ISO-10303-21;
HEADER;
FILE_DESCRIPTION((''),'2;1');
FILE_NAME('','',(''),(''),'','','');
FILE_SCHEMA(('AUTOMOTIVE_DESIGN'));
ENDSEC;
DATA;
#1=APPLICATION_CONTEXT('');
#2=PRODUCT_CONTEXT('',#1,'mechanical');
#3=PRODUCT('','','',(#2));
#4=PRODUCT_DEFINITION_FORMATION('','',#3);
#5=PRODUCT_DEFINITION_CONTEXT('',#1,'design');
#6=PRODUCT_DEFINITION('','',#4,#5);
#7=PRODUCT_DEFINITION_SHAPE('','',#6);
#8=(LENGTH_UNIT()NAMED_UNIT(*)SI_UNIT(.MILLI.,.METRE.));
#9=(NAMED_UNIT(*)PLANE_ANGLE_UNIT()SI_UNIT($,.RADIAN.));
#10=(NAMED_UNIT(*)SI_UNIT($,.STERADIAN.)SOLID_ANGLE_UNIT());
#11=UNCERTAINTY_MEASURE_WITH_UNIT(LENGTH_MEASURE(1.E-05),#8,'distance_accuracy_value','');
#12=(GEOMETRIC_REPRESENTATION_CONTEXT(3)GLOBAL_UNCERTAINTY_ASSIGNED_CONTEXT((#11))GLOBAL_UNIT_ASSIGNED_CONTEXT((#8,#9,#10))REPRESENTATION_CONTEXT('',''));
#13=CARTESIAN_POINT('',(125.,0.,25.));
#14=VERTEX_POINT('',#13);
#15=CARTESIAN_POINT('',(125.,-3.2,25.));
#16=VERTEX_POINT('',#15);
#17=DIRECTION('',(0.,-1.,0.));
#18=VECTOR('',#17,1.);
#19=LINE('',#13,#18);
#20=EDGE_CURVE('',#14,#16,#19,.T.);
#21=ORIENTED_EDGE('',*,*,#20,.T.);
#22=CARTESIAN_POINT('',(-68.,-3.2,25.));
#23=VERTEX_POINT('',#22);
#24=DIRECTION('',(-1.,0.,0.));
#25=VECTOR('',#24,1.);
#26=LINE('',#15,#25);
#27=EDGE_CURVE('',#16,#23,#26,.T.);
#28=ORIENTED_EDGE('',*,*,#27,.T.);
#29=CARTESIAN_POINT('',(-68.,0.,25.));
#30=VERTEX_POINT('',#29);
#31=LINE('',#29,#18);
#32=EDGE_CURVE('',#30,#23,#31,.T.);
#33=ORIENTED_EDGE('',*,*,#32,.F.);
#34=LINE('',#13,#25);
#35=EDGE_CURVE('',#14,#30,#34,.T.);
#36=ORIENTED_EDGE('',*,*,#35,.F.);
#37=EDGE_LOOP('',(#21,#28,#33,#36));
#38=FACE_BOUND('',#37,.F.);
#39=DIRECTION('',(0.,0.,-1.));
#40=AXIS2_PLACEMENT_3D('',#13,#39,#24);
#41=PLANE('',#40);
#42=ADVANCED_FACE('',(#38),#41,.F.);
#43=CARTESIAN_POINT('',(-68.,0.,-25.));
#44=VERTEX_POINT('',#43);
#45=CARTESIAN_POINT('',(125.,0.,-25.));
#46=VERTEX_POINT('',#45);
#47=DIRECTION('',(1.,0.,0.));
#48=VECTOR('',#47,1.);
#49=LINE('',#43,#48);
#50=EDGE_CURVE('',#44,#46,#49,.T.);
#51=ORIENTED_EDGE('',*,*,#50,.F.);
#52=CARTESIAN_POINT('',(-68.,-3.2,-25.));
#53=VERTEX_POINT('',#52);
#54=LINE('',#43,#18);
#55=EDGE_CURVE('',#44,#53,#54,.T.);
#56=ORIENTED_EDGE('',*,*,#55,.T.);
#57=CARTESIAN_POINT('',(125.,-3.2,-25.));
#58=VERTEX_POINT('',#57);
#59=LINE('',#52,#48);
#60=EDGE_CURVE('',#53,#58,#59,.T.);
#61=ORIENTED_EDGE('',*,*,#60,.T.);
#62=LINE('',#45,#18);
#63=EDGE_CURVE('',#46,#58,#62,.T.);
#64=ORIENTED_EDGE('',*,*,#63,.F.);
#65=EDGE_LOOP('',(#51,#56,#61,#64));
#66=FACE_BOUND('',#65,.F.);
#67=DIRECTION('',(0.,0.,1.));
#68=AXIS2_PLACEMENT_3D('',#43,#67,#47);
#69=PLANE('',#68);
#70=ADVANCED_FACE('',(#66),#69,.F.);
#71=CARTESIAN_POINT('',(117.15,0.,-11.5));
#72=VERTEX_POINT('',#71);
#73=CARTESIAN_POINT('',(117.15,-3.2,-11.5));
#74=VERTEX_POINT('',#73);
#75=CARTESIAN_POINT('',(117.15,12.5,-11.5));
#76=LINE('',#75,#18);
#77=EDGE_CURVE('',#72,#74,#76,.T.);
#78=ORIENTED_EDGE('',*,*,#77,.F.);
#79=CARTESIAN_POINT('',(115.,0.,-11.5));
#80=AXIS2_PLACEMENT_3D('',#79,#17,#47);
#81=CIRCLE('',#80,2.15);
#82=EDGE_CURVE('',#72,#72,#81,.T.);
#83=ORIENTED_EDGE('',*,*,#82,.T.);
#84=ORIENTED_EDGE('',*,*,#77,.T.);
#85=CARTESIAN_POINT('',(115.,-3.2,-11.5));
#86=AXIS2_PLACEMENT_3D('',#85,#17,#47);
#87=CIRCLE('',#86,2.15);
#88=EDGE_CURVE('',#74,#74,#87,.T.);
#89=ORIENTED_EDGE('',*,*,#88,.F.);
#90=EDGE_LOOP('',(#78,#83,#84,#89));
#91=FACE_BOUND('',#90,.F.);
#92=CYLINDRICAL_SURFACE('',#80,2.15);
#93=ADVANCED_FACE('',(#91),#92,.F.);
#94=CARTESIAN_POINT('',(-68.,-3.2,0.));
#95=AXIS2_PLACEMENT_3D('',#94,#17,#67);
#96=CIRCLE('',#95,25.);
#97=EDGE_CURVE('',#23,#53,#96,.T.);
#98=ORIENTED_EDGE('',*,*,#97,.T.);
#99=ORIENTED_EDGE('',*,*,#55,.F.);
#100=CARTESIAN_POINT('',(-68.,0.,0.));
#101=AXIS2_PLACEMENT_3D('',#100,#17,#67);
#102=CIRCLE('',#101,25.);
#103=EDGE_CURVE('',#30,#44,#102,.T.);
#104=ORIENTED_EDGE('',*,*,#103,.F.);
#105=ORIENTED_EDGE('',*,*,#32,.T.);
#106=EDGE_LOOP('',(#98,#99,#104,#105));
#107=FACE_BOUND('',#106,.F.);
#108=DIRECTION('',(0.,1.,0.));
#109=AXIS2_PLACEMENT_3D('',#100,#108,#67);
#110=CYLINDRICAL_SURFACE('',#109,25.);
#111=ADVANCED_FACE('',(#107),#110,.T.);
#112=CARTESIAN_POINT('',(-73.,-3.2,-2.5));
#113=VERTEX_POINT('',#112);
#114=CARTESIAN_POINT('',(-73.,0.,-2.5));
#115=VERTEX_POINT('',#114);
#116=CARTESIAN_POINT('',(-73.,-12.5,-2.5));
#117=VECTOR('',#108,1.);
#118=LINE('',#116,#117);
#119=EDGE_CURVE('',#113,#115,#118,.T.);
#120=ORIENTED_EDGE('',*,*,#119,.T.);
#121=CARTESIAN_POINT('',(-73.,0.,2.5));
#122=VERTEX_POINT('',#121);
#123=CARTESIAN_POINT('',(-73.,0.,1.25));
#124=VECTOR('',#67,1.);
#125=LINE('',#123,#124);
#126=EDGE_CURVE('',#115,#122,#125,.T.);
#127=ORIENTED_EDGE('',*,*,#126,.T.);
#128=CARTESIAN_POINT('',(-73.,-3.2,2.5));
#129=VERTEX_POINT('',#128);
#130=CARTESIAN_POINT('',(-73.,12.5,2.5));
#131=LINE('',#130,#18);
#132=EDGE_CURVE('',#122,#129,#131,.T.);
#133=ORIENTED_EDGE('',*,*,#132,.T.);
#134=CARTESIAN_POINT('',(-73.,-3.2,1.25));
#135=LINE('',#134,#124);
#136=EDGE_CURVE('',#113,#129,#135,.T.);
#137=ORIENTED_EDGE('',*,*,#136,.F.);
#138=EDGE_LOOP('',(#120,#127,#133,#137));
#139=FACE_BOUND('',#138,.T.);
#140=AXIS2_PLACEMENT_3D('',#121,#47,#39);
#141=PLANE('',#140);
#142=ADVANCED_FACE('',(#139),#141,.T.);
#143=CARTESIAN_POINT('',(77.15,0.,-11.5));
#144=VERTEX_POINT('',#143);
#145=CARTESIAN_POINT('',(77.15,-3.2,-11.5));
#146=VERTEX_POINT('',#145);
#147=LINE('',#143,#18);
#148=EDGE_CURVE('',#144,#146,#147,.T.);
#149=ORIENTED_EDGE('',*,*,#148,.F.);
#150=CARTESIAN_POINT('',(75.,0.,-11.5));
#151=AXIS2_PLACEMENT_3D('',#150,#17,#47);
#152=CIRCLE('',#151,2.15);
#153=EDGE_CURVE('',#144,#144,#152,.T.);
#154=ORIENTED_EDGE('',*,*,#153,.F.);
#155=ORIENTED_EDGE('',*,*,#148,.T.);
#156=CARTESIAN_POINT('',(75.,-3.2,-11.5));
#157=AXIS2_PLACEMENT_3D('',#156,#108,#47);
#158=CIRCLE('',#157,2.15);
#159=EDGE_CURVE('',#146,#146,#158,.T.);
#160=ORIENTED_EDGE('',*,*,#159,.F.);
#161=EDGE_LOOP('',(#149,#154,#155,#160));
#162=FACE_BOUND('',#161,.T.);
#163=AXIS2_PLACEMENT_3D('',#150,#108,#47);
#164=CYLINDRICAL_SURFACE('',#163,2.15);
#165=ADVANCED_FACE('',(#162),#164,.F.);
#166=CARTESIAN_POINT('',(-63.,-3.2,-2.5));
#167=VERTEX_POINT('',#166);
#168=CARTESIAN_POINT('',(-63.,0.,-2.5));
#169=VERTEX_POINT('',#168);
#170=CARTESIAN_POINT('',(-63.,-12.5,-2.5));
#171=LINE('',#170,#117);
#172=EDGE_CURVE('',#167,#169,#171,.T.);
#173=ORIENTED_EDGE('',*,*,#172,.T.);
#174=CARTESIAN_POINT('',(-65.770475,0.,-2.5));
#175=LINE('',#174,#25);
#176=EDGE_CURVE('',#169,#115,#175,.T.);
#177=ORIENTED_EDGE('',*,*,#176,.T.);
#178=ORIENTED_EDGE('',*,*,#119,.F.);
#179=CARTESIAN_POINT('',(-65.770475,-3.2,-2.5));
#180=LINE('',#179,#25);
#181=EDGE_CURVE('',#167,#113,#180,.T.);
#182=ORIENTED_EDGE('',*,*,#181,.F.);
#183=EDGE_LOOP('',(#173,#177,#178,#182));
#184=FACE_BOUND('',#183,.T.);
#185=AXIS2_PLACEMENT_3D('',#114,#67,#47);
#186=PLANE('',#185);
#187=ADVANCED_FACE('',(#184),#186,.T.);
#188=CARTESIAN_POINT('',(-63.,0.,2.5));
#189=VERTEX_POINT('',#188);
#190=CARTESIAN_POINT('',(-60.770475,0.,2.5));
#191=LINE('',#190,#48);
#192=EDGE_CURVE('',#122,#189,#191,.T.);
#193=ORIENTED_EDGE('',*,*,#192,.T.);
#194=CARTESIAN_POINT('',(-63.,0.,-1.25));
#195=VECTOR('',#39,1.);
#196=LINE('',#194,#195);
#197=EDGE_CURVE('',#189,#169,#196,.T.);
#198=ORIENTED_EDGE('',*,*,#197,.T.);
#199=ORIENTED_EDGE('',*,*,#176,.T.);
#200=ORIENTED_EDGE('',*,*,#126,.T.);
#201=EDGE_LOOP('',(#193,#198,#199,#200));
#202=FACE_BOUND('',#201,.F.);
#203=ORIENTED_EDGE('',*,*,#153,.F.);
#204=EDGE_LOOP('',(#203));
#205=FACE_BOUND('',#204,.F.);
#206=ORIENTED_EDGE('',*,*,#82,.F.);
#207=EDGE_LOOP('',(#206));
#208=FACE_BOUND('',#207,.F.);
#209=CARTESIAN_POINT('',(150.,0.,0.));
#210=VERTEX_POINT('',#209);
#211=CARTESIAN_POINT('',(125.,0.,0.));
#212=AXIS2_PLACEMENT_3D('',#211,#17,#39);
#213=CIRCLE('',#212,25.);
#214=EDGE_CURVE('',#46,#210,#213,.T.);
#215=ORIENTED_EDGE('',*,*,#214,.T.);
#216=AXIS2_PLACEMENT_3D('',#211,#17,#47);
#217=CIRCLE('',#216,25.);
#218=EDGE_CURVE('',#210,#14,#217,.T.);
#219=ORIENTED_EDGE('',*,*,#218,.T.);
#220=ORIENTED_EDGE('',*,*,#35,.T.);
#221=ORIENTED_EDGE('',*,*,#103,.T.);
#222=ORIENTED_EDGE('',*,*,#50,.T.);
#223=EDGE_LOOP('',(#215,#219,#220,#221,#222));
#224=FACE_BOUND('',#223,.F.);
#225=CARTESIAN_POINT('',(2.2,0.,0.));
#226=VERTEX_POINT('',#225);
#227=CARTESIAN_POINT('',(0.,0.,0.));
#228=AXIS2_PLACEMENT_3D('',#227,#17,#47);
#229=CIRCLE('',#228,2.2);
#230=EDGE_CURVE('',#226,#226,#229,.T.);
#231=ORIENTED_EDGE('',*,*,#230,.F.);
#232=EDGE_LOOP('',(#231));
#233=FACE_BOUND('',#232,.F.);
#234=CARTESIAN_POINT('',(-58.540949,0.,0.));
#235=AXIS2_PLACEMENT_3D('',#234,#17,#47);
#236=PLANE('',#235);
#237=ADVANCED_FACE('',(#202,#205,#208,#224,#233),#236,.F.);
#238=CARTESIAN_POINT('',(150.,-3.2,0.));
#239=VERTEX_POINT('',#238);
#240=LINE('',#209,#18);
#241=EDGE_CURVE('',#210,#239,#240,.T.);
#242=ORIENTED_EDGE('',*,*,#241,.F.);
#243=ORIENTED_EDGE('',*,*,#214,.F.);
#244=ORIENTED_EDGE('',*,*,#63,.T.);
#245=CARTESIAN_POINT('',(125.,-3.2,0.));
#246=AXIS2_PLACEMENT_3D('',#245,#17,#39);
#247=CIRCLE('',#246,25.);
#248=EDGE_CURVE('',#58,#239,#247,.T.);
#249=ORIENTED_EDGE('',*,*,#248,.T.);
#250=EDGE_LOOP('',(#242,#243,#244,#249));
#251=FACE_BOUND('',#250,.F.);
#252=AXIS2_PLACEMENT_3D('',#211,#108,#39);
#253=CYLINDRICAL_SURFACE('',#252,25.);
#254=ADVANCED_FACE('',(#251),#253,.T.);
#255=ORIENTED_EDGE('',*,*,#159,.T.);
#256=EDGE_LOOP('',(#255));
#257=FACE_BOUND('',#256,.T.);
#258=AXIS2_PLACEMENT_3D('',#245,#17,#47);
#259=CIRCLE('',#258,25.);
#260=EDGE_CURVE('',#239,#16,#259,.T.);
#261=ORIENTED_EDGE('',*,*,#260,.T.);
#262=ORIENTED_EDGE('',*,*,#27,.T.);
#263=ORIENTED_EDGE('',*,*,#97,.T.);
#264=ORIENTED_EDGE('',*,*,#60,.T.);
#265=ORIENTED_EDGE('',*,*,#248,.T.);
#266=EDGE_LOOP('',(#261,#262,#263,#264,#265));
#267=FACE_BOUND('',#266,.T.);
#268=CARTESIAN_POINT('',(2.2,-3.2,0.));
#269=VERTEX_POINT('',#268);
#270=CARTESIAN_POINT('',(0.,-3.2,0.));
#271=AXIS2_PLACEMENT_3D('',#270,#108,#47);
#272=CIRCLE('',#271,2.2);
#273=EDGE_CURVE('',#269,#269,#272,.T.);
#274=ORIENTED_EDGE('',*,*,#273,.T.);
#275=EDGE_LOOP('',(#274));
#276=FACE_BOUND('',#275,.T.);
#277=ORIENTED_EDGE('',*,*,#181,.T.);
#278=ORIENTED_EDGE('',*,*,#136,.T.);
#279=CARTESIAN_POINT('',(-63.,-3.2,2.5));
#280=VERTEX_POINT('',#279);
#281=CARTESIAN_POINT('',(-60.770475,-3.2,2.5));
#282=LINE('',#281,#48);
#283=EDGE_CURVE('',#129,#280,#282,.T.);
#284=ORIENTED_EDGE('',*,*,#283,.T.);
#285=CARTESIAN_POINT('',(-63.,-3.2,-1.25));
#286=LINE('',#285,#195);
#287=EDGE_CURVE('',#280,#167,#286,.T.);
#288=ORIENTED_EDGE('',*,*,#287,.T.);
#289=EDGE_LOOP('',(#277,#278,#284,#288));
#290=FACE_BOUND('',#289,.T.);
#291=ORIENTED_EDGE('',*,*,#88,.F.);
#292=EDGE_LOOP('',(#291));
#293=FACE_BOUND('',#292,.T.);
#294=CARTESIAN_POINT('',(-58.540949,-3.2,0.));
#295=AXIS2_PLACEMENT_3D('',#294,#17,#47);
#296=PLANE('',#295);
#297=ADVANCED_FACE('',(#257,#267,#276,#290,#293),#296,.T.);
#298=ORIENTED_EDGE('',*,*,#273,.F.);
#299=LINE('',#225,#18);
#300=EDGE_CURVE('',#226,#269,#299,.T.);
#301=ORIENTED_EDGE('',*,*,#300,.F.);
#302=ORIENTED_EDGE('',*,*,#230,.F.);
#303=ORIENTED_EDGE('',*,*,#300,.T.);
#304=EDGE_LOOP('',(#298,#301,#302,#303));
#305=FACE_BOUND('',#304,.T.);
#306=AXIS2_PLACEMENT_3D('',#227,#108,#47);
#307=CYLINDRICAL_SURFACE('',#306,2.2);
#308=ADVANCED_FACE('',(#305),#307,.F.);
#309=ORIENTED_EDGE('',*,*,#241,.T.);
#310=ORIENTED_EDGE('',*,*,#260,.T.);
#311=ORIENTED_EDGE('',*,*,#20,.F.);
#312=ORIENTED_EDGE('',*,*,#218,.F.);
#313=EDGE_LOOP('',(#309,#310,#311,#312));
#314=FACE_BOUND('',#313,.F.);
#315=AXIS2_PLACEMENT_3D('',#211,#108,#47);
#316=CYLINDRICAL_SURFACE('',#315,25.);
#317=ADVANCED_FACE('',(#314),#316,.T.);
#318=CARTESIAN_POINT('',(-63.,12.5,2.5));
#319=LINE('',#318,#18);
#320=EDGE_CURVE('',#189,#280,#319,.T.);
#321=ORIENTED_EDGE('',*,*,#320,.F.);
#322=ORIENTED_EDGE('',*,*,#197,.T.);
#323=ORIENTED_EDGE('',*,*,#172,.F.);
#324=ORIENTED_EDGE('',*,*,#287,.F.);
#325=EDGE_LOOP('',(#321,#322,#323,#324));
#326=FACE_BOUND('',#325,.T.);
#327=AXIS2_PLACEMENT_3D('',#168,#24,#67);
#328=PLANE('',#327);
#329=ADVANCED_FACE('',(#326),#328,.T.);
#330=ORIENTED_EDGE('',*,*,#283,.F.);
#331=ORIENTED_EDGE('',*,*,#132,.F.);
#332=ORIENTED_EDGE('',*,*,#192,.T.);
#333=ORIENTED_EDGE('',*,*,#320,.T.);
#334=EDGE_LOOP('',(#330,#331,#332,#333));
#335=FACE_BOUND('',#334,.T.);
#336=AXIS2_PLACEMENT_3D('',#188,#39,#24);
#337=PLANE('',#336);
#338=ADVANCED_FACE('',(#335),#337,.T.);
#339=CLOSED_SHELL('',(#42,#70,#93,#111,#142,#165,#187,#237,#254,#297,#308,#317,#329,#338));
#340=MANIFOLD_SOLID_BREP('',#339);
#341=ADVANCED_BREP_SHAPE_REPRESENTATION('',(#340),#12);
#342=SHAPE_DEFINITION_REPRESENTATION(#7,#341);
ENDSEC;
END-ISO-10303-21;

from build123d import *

# Parameters (mm, degrees)
F1_DEPTH = 3.2
F2_R     = 2.2
F2_R_2   = 2.15
F3_DEPTH = 12.5


with BuildPart() as f1:
    # F0 (on Front) → F1 (new body)
    with BuildSketch(Plane.XZ):
        with BuildLine():
            ThreePointArc((-68, -25), (-50.3223304703, -17.6776695297), (-43, 0))
            ThreePointArc((-43, 0), (-50.3223304703, 17.6776695297), (-68, 25))
            Line((-68, 25), (-68, -25))
        make_face()
        with BuildLine():
            ThreePointArc((-68, 25), (-50.3223304703, 17.6776695297), (-43, 0))
            ThreePointArc((-43, 0), (-50.3223304703, -17.6776695297), (-68, -25))
            Line((-68, -25), (125, -25))
            ThreePointArc((125, -25), (100, 0), (125, 25))
            Line((125, 25), (-68, 25))
        make_face()
        with BuildLine():
            Line((-68, -25), (-68, 25))
            ThreePointArc((-68, 25), (-93, 0), (-68, -25))
        make_face()
        with BuildLine():
            Line((125, -25), (125, 25))
            ThreePointArc((125, 25), (100, 0), (125, -25))
        make_face()
        with BuildLine():
            ThreePointArc((150, 0), (142.6776695297, 17.6776695297), (125, 25))
            Line((125, 25), (125, -25))
            ThreePointArc((125, -25), (142.6776695297, -17.6776695297), (150, 0))
        make_face()
    extrude(amount=F1_DEPTH)

    # F2 (on Front) → F3 (cut, symmetric)
    with BuildSketch(Plane.XZ):
        Circle(F2_R)
        with BuildLine():
            ThreePointArc((-68, -2.5), (-66.232233047, -1.767766953), (-65.5, 0))
            ThreePointArc((-65.5, 0), (-66.232233047, 1.767766953), (-68, 2.5))
            ThreePointArc((-68, 2.5), (-70.5, 0), (-68, -2.5))
        make_face()
        with BuildLine():
            ThreePointArc((-68, 2.5), (-66.232233047, 1.767766953), (-65.5, 0))
            ThreePointArc((-65.5, 0), (-66.232233047, -1.767766953), (-68, -2.5))
            Line((-68, -2.5), (-63, -2.5))
            Line((-63, -2.5), (-63, 2.5))
            Line((-63, 2.5), (-68, 2.5))
        make_face()
        with BuildLine():
            ThreePointArc((-68, -2.5), (-70.5, 0), (-68, 2.5))
            Line((-68, 2.5), (-73, 2.5))
            Line((-73, 2.5), (-73, -2.5))
            Line((-73, -2.5), (-68, -2.5))
        make_face()
        with Locations((75, -11.5)):
            Circle(F2_R_2)
        with Locations((115, -11.5)):
            Circle(F2_R_2)
    extrude(amount=F3_DEPTH, both=True, mode=Mode.SUBTRACT)


solid = f1.part
